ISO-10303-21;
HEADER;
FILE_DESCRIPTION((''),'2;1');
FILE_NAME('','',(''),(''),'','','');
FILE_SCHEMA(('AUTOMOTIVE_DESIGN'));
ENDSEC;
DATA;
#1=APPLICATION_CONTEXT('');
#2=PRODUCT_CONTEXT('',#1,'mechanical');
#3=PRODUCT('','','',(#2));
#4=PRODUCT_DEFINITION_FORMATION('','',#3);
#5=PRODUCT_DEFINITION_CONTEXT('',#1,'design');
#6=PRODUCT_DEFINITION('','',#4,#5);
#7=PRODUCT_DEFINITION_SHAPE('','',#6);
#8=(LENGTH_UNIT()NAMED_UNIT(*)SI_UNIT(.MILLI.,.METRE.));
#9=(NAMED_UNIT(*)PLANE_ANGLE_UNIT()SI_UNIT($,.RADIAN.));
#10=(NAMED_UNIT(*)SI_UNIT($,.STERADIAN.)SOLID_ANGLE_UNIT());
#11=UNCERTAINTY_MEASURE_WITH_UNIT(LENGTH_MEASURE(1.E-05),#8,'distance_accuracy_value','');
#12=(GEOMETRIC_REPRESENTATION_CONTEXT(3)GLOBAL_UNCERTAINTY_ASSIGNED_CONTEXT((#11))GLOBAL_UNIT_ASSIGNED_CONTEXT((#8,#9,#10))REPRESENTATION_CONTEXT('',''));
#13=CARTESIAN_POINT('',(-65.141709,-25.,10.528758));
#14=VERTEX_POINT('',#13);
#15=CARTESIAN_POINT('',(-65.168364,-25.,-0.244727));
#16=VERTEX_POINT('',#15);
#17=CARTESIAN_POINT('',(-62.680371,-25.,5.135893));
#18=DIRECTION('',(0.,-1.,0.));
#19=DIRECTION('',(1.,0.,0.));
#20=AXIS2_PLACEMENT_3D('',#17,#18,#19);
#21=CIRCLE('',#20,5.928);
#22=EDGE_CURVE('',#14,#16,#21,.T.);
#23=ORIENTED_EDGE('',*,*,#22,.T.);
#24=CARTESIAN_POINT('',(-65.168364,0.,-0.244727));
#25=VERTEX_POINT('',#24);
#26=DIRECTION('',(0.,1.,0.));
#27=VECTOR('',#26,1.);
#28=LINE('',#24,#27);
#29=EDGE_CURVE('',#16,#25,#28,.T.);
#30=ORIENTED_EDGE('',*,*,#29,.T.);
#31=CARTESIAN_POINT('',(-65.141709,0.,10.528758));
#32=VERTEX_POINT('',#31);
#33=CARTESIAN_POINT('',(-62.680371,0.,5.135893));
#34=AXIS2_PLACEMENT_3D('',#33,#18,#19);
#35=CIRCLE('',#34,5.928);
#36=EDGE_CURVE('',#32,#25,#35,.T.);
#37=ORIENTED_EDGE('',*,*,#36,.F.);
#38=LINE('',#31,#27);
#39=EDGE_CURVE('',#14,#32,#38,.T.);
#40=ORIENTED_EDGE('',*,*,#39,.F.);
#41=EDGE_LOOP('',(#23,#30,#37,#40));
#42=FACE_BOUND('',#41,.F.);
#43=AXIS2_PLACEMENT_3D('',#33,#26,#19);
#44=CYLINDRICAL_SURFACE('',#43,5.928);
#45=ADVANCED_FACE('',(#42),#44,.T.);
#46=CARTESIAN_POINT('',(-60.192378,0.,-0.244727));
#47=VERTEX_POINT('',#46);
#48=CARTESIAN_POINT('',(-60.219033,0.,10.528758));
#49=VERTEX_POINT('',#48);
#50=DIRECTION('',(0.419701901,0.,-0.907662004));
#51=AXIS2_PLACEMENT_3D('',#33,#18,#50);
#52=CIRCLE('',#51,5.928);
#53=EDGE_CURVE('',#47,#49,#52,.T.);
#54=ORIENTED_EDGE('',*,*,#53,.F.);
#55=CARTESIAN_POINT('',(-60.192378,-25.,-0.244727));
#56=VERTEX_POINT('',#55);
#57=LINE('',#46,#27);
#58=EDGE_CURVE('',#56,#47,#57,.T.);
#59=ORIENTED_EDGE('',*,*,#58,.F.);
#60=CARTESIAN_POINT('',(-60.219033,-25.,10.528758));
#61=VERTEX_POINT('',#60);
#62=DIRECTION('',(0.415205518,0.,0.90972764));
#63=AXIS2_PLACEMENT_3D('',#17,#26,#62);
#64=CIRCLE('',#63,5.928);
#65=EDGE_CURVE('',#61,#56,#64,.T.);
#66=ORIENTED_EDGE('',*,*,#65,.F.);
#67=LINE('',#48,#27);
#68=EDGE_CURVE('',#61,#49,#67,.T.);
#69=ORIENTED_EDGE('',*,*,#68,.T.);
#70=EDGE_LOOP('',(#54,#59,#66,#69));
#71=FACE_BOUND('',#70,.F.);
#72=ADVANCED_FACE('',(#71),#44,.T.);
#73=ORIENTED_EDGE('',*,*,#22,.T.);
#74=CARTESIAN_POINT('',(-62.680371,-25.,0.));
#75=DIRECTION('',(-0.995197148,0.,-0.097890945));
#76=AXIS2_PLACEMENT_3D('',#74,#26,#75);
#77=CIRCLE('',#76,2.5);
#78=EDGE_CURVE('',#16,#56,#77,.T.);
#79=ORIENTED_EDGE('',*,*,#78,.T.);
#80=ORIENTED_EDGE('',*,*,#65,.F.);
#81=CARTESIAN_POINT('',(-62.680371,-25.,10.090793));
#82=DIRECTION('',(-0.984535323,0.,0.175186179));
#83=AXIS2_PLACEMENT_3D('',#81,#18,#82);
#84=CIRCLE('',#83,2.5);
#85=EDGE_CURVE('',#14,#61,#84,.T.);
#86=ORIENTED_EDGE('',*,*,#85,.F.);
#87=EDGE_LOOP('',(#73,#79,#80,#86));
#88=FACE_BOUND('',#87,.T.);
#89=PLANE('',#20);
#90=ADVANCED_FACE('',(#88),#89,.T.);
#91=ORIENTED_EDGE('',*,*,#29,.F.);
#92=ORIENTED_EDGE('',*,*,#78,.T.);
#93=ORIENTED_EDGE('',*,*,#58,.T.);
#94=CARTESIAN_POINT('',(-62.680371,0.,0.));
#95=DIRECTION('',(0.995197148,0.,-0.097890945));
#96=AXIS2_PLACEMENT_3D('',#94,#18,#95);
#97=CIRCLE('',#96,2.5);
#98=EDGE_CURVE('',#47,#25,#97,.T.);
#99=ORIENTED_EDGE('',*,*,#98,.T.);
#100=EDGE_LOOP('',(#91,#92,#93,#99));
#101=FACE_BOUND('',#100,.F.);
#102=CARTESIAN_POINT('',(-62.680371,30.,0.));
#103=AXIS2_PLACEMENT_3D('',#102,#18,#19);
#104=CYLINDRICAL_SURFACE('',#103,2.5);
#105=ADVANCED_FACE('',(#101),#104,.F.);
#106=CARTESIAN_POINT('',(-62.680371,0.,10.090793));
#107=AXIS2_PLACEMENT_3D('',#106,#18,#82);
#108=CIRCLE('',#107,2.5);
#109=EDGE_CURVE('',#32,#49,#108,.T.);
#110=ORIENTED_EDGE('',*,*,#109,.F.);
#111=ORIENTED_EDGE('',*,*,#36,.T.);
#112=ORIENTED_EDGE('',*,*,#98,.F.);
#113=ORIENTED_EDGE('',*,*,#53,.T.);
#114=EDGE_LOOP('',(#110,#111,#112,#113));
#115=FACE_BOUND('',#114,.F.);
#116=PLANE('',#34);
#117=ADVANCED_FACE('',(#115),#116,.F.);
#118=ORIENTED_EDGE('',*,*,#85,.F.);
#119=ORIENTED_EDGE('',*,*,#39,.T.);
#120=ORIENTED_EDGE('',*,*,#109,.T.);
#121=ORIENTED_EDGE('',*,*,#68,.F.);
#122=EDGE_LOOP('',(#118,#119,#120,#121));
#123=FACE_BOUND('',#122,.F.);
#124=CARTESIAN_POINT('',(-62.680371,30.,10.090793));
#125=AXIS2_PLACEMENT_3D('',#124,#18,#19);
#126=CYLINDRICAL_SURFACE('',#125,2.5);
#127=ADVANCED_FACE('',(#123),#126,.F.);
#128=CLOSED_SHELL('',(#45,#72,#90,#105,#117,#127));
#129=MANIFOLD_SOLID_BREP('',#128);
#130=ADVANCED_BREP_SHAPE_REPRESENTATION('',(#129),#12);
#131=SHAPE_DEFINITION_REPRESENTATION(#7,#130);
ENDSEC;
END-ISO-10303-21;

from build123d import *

# Parameters (mm, degrees)
F0_R     = 5.928
F1_DEPTH = 25
F3_D     = 5
F3_DEPTH = 30


with BuildPart() as f1:
    # F0 (on Front) → F1 (new body)
    with BuildSketch(Plane.XZ):
        with Locations((-62.680371, 5.135893)):
            Circle(F0_R)
    extrude(amount=F1_DEPTH)

    # F3
    with Locations(Plane(origin=(0, 0, 0), x_dir=(-1, 0, 0), z_dir=(0, 1, 0))):
        with Locations((62.680371, 0), (62.680371, 10.090793)):
            Hole(F3_D / 2, depth=F3_DEPTH)


solid = f1.part
